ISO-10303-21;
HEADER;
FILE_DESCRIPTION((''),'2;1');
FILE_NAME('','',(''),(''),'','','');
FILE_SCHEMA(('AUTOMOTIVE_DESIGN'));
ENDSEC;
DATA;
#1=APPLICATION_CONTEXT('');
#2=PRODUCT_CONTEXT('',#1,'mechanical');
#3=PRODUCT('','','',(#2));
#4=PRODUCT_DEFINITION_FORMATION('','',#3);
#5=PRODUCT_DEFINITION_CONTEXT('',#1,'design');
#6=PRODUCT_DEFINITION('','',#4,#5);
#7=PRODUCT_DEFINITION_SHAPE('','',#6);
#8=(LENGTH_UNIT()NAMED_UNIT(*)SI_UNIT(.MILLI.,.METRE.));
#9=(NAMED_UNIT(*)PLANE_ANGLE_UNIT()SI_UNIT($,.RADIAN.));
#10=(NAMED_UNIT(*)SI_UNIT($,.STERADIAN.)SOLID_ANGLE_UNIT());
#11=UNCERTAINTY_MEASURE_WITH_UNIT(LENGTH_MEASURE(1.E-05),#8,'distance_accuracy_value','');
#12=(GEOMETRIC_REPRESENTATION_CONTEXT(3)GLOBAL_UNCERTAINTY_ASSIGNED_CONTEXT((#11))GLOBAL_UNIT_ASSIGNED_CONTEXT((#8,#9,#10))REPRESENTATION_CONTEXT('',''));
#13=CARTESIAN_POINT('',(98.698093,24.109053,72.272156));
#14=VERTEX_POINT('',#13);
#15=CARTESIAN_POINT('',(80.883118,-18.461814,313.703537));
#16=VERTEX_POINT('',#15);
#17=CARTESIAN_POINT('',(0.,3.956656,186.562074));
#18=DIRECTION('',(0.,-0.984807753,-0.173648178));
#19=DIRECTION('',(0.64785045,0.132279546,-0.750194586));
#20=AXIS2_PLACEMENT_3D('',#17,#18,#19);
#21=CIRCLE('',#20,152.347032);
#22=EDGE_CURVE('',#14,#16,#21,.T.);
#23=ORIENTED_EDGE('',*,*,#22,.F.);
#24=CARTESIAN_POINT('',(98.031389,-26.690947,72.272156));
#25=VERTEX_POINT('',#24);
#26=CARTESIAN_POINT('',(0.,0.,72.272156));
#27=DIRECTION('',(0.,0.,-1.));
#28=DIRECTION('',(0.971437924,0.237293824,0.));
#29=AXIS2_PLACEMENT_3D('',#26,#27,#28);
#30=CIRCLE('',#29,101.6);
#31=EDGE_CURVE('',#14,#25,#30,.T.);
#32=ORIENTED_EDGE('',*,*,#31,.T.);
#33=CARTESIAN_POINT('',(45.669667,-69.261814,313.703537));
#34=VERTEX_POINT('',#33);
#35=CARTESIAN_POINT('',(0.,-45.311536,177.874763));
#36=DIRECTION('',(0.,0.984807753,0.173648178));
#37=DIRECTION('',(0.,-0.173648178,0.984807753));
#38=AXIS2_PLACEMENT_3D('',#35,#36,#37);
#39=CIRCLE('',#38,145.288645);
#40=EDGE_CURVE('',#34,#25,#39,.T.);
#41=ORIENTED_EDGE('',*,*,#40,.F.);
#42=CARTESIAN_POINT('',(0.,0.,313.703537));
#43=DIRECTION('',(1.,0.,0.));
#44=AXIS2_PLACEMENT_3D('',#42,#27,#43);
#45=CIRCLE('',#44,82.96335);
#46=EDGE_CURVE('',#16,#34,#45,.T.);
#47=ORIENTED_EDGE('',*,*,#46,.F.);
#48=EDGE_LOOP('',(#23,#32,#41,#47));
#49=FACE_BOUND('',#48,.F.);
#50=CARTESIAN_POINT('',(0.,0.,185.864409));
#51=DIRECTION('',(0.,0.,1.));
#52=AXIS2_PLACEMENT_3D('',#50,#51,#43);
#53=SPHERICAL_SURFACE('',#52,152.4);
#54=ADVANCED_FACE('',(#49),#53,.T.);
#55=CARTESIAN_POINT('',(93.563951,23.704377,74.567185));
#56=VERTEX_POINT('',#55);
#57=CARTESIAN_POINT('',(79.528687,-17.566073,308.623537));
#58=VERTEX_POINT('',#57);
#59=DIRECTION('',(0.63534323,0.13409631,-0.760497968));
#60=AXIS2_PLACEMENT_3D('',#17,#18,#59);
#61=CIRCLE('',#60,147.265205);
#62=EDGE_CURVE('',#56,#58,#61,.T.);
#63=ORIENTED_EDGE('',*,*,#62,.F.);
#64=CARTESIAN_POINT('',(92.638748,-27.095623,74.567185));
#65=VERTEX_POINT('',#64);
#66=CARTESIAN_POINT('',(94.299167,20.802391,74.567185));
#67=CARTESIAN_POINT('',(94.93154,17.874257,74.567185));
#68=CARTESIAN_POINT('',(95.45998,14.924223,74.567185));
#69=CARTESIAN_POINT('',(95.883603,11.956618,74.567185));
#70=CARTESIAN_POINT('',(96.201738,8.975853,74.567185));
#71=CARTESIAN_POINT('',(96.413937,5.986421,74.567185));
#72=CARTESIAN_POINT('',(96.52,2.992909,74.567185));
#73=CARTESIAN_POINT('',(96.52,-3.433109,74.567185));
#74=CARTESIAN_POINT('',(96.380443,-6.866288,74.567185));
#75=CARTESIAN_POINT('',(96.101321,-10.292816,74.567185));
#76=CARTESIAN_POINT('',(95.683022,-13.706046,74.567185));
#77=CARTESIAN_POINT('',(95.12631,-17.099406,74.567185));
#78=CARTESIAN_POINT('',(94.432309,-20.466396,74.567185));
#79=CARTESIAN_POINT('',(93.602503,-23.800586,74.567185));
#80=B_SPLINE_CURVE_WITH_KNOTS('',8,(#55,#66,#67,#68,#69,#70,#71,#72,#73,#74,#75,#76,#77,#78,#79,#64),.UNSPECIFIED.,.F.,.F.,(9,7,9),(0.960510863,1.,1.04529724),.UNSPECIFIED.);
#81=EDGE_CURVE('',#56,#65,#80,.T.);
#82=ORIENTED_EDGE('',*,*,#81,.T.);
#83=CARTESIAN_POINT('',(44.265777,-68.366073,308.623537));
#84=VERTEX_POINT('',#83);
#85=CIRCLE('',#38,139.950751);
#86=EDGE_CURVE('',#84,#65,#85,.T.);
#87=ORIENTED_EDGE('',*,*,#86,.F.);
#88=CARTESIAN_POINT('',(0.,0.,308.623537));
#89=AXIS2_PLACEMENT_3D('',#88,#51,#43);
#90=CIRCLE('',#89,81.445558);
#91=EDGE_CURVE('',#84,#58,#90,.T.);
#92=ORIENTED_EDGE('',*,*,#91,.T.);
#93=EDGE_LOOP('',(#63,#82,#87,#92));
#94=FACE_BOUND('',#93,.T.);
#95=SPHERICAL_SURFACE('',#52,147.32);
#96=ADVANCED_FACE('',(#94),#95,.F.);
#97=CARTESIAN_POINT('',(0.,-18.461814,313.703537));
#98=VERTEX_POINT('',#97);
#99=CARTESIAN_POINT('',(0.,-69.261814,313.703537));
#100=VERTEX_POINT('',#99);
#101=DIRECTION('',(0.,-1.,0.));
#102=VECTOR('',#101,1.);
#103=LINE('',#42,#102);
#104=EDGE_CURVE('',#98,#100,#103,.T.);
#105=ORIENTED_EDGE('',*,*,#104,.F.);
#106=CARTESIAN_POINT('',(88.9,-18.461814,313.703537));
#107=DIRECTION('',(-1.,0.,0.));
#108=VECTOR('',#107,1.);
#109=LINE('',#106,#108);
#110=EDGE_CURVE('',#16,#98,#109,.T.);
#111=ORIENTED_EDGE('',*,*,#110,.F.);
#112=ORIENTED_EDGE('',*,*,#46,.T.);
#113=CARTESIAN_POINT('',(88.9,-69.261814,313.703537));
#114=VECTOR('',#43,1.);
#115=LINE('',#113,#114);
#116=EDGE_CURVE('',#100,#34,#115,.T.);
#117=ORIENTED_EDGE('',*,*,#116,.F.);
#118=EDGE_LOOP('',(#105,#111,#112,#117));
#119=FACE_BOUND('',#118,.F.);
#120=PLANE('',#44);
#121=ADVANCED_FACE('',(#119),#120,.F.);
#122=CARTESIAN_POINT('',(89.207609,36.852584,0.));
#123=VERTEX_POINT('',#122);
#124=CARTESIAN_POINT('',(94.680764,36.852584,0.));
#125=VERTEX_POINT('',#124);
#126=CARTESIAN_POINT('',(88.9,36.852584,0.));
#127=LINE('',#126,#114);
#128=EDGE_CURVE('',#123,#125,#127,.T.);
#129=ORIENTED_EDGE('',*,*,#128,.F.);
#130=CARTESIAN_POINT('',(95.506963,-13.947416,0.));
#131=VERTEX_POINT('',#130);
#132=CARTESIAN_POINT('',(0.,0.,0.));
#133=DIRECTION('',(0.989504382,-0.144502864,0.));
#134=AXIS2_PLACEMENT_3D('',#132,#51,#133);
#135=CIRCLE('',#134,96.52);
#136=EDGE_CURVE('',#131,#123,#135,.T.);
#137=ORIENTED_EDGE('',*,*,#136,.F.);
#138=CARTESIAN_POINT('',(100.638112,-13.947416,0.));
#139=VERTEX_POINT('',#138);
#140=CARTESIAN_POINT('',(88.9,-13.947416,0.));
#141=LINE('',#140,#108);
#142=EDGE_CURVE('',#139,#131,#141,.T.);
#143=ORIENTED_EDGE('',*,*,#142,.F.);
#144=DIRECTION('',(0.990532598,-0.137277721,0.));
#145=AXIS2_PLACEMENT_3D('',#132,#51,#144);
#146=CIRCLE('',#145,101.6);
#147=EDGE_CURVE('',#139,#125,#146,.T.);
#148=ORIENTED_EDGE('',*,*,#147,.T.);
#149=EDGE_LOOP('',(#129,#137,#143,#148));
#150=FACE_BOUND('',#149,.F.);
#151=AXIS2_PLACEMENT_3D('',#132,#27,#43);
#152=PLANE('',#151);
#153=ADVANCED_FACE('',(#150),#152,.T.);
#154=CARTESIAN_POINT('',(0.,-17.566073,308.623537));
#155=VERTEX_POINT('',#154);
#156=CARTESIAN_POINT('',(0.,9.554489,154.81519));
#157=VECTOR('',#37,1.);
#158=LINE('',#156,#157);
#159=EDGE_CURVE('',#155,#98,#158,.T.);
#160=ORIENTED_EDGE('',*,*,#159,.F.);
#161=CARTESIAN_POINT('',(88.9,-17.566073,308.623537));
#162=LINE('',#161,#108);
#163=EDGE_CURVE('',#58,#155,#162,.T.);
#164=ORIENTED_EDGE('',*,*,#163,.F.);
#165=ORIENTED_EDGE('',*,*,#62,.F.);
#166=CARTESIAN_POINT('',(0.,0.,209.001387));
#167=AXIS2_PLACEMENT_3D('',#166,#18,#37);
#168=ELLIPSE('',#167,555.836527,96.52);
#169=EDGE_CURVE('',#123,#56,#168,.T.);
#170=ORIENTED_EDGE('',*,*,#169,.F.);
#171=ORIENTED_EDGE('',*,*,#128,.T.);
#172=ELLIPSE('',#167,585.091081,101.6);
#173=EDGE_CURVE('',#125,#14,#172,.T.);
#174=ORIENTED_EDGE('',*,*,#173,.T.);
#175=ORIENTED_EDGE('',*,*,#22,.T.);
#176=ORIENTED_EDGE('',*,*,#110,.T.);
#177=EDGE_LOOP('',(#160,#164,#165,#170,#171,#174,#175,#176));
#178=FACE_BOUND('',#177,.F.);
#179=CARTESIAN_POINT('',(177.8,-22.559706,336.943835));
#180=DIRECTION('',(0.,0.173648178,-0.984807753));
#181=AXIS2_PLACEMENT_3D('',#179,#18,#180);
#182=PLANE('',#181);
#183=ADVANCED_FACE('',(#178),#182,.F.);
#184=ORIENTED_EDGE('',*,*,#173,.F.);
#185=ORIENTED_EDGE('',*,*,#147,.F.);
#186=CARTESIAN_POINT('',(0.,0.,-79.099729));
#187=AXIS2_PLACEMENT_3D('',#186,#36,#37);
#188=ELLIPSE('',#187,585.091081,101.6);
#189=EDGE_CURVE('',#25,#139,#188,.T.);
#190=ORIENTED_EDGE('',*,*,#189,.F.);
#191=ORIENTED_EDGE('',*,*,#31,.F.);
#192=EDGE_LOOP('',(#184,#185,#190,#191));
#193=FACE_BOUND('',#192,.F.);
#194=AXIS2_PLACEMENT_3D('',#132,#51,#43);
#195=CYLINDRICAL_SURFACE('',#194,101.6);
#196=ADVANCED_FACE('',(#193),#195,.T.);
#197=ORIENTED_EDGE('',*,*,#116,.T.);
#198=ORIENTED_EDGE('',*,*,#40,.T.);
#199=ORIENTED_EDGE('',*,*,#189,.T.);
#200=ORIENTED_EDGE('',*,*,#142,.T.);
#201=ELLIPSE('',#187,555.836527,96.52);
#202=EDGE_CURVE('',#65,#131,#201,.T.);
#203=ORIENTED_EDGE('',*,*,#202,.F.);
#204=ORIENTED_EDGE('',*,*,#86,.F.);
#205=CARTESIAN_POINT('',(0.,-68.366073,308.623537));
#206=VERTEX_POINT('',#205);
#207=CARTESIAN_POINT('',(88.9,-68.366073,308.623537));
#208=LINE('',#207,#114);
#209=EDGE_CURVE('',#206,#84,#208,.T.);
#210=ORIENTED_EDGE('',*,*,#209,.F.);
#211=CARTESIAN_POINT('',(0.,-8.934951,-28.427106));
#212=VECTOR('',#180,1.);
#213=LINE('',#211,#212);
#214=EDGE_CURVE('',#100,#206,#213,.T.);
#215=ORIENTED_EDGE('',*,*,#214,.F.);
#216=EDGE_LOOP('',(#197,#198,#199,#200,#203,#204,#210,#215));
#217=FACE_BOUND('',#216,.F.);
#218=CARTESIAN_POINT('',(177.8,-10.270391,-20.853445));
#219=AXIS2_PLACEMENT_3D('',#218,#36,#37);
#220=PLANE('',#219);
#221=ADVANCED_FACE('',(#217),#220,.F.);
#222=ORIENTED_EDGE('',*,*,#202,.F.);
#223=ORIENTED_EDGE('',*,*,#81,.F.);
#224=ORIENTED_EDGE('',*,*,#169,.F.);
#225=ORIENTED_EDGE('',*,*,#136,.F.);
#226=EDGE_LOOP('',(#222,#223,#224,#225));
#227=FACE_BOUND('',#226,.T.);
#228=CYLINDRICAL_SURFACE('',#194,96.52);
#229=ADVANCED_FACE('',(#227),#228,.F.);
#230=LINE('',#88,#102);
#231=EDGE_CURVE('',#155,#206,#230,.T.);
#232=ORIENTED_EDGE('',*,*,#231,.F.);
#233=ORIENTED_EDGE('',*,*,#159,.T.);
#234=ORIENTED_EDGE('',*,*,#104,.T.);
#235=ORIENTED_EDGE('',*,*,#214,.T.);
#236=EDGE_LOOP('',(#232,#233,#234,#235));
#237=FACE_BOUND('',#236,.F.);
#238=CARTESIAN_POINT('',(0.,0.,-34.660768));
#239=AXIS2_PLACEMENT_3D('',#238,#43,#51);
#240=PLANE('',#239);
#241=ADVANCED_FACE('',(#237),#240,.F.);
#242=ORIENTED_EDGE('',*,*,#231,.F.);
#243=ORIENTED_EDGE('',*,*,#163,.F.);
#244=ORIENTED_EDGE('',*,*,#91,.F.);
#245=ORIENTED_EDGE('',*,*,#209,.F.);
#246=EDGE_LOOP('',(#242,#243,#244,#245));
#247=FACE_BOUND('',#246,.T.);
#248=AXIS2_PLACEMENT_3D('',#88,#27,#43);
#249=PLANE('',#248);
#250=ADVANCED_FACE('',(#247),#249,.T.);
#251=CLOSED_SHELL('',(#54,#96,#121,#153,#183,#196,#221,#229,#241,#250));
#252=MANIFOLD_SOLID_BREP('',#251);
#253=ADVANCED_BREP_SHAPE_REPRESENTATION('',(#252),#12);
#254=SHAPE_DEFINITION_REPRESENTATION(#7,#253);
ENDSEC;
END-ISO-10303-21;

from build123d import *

# Parameters (mm, degrees)
F2_T     = -5.08
F5_DEPTH = 381
F6_W     = 183.9755326509
F6_H     = 374.7007958591
F7_DEPTH = 127


with BuildPart() as f1:
    # F0 (on Front) → F1 (revolve)
    with BuildSketch(Plane.XZ):
        with BuildLine():
            Line((0, 313.7035369873), (0, 0))
            Line((0, 0), (101.6, 0))
            Line((101.6, 0), (101.6, 72.2721558975))
            ThreePointArc((101.6, 72.2721558975), (151.9479695741, 197.5936266182), (82.9633497091, 313.7035369873))
            Line((82.9633497091, 313.7035369873), (0, 313.7035369873))
        make_face()
    revolve(axis=Axis((0, 0, 156.8517684937), (0, 0, -1)))

    # F2
    f2_openings = [f1.faces().sort_by_distance(p)[0] for p in [
        (0, 0, 0),
    ]]
    offset(amount=F2_T, openings=f2_openings, kind=Kind.INTERSECTION)

    # F4 (on offset) → F5 (cut)
    with BuildSketch(Plane.YZ.offset(177.8)):
        Polygon((-168.2938635349, -20.8534449339), (-40.0775820017, -20.8534449339), (-22.5597055078, -49.5606735349), (48.4589897096, -49.5606735349), (62.606588006, -20.8534449339), (175.8424788713, -20.8534449339), (175.8424788713, 336.9438350201), (0, 336.9438350201), (-10.2703914278, 381.5792500973), (-100.4313006997, 381.5792500973), (-107.4867025018, 336.9438350201), (-168.2938635349, 336.9438350201), align=None)
        Polygon((-10.2703914278, -20.8534449339), (-73.3597055078, 336.9438350201), (-22.5597055078, 336.9438350201), (40.5296085722, -20.8534449339), align=None, mode=Mode.SUBTRACT)
    extrude(amount=-F5_DEPTH, mode=Mode.SUBTRACT)

    # F6 (on Front) → F7 (cut, symmetric)
    with BuildSketch(Plane.XZ):
        with Locations((-91.9877663255, 152.6896301657)):
            Rectangle(F6_W, F6_H)
    extrude(amount=F7_DEPTH, both=True, mode=Mode.SUBTRACT)


solid = f1.part
